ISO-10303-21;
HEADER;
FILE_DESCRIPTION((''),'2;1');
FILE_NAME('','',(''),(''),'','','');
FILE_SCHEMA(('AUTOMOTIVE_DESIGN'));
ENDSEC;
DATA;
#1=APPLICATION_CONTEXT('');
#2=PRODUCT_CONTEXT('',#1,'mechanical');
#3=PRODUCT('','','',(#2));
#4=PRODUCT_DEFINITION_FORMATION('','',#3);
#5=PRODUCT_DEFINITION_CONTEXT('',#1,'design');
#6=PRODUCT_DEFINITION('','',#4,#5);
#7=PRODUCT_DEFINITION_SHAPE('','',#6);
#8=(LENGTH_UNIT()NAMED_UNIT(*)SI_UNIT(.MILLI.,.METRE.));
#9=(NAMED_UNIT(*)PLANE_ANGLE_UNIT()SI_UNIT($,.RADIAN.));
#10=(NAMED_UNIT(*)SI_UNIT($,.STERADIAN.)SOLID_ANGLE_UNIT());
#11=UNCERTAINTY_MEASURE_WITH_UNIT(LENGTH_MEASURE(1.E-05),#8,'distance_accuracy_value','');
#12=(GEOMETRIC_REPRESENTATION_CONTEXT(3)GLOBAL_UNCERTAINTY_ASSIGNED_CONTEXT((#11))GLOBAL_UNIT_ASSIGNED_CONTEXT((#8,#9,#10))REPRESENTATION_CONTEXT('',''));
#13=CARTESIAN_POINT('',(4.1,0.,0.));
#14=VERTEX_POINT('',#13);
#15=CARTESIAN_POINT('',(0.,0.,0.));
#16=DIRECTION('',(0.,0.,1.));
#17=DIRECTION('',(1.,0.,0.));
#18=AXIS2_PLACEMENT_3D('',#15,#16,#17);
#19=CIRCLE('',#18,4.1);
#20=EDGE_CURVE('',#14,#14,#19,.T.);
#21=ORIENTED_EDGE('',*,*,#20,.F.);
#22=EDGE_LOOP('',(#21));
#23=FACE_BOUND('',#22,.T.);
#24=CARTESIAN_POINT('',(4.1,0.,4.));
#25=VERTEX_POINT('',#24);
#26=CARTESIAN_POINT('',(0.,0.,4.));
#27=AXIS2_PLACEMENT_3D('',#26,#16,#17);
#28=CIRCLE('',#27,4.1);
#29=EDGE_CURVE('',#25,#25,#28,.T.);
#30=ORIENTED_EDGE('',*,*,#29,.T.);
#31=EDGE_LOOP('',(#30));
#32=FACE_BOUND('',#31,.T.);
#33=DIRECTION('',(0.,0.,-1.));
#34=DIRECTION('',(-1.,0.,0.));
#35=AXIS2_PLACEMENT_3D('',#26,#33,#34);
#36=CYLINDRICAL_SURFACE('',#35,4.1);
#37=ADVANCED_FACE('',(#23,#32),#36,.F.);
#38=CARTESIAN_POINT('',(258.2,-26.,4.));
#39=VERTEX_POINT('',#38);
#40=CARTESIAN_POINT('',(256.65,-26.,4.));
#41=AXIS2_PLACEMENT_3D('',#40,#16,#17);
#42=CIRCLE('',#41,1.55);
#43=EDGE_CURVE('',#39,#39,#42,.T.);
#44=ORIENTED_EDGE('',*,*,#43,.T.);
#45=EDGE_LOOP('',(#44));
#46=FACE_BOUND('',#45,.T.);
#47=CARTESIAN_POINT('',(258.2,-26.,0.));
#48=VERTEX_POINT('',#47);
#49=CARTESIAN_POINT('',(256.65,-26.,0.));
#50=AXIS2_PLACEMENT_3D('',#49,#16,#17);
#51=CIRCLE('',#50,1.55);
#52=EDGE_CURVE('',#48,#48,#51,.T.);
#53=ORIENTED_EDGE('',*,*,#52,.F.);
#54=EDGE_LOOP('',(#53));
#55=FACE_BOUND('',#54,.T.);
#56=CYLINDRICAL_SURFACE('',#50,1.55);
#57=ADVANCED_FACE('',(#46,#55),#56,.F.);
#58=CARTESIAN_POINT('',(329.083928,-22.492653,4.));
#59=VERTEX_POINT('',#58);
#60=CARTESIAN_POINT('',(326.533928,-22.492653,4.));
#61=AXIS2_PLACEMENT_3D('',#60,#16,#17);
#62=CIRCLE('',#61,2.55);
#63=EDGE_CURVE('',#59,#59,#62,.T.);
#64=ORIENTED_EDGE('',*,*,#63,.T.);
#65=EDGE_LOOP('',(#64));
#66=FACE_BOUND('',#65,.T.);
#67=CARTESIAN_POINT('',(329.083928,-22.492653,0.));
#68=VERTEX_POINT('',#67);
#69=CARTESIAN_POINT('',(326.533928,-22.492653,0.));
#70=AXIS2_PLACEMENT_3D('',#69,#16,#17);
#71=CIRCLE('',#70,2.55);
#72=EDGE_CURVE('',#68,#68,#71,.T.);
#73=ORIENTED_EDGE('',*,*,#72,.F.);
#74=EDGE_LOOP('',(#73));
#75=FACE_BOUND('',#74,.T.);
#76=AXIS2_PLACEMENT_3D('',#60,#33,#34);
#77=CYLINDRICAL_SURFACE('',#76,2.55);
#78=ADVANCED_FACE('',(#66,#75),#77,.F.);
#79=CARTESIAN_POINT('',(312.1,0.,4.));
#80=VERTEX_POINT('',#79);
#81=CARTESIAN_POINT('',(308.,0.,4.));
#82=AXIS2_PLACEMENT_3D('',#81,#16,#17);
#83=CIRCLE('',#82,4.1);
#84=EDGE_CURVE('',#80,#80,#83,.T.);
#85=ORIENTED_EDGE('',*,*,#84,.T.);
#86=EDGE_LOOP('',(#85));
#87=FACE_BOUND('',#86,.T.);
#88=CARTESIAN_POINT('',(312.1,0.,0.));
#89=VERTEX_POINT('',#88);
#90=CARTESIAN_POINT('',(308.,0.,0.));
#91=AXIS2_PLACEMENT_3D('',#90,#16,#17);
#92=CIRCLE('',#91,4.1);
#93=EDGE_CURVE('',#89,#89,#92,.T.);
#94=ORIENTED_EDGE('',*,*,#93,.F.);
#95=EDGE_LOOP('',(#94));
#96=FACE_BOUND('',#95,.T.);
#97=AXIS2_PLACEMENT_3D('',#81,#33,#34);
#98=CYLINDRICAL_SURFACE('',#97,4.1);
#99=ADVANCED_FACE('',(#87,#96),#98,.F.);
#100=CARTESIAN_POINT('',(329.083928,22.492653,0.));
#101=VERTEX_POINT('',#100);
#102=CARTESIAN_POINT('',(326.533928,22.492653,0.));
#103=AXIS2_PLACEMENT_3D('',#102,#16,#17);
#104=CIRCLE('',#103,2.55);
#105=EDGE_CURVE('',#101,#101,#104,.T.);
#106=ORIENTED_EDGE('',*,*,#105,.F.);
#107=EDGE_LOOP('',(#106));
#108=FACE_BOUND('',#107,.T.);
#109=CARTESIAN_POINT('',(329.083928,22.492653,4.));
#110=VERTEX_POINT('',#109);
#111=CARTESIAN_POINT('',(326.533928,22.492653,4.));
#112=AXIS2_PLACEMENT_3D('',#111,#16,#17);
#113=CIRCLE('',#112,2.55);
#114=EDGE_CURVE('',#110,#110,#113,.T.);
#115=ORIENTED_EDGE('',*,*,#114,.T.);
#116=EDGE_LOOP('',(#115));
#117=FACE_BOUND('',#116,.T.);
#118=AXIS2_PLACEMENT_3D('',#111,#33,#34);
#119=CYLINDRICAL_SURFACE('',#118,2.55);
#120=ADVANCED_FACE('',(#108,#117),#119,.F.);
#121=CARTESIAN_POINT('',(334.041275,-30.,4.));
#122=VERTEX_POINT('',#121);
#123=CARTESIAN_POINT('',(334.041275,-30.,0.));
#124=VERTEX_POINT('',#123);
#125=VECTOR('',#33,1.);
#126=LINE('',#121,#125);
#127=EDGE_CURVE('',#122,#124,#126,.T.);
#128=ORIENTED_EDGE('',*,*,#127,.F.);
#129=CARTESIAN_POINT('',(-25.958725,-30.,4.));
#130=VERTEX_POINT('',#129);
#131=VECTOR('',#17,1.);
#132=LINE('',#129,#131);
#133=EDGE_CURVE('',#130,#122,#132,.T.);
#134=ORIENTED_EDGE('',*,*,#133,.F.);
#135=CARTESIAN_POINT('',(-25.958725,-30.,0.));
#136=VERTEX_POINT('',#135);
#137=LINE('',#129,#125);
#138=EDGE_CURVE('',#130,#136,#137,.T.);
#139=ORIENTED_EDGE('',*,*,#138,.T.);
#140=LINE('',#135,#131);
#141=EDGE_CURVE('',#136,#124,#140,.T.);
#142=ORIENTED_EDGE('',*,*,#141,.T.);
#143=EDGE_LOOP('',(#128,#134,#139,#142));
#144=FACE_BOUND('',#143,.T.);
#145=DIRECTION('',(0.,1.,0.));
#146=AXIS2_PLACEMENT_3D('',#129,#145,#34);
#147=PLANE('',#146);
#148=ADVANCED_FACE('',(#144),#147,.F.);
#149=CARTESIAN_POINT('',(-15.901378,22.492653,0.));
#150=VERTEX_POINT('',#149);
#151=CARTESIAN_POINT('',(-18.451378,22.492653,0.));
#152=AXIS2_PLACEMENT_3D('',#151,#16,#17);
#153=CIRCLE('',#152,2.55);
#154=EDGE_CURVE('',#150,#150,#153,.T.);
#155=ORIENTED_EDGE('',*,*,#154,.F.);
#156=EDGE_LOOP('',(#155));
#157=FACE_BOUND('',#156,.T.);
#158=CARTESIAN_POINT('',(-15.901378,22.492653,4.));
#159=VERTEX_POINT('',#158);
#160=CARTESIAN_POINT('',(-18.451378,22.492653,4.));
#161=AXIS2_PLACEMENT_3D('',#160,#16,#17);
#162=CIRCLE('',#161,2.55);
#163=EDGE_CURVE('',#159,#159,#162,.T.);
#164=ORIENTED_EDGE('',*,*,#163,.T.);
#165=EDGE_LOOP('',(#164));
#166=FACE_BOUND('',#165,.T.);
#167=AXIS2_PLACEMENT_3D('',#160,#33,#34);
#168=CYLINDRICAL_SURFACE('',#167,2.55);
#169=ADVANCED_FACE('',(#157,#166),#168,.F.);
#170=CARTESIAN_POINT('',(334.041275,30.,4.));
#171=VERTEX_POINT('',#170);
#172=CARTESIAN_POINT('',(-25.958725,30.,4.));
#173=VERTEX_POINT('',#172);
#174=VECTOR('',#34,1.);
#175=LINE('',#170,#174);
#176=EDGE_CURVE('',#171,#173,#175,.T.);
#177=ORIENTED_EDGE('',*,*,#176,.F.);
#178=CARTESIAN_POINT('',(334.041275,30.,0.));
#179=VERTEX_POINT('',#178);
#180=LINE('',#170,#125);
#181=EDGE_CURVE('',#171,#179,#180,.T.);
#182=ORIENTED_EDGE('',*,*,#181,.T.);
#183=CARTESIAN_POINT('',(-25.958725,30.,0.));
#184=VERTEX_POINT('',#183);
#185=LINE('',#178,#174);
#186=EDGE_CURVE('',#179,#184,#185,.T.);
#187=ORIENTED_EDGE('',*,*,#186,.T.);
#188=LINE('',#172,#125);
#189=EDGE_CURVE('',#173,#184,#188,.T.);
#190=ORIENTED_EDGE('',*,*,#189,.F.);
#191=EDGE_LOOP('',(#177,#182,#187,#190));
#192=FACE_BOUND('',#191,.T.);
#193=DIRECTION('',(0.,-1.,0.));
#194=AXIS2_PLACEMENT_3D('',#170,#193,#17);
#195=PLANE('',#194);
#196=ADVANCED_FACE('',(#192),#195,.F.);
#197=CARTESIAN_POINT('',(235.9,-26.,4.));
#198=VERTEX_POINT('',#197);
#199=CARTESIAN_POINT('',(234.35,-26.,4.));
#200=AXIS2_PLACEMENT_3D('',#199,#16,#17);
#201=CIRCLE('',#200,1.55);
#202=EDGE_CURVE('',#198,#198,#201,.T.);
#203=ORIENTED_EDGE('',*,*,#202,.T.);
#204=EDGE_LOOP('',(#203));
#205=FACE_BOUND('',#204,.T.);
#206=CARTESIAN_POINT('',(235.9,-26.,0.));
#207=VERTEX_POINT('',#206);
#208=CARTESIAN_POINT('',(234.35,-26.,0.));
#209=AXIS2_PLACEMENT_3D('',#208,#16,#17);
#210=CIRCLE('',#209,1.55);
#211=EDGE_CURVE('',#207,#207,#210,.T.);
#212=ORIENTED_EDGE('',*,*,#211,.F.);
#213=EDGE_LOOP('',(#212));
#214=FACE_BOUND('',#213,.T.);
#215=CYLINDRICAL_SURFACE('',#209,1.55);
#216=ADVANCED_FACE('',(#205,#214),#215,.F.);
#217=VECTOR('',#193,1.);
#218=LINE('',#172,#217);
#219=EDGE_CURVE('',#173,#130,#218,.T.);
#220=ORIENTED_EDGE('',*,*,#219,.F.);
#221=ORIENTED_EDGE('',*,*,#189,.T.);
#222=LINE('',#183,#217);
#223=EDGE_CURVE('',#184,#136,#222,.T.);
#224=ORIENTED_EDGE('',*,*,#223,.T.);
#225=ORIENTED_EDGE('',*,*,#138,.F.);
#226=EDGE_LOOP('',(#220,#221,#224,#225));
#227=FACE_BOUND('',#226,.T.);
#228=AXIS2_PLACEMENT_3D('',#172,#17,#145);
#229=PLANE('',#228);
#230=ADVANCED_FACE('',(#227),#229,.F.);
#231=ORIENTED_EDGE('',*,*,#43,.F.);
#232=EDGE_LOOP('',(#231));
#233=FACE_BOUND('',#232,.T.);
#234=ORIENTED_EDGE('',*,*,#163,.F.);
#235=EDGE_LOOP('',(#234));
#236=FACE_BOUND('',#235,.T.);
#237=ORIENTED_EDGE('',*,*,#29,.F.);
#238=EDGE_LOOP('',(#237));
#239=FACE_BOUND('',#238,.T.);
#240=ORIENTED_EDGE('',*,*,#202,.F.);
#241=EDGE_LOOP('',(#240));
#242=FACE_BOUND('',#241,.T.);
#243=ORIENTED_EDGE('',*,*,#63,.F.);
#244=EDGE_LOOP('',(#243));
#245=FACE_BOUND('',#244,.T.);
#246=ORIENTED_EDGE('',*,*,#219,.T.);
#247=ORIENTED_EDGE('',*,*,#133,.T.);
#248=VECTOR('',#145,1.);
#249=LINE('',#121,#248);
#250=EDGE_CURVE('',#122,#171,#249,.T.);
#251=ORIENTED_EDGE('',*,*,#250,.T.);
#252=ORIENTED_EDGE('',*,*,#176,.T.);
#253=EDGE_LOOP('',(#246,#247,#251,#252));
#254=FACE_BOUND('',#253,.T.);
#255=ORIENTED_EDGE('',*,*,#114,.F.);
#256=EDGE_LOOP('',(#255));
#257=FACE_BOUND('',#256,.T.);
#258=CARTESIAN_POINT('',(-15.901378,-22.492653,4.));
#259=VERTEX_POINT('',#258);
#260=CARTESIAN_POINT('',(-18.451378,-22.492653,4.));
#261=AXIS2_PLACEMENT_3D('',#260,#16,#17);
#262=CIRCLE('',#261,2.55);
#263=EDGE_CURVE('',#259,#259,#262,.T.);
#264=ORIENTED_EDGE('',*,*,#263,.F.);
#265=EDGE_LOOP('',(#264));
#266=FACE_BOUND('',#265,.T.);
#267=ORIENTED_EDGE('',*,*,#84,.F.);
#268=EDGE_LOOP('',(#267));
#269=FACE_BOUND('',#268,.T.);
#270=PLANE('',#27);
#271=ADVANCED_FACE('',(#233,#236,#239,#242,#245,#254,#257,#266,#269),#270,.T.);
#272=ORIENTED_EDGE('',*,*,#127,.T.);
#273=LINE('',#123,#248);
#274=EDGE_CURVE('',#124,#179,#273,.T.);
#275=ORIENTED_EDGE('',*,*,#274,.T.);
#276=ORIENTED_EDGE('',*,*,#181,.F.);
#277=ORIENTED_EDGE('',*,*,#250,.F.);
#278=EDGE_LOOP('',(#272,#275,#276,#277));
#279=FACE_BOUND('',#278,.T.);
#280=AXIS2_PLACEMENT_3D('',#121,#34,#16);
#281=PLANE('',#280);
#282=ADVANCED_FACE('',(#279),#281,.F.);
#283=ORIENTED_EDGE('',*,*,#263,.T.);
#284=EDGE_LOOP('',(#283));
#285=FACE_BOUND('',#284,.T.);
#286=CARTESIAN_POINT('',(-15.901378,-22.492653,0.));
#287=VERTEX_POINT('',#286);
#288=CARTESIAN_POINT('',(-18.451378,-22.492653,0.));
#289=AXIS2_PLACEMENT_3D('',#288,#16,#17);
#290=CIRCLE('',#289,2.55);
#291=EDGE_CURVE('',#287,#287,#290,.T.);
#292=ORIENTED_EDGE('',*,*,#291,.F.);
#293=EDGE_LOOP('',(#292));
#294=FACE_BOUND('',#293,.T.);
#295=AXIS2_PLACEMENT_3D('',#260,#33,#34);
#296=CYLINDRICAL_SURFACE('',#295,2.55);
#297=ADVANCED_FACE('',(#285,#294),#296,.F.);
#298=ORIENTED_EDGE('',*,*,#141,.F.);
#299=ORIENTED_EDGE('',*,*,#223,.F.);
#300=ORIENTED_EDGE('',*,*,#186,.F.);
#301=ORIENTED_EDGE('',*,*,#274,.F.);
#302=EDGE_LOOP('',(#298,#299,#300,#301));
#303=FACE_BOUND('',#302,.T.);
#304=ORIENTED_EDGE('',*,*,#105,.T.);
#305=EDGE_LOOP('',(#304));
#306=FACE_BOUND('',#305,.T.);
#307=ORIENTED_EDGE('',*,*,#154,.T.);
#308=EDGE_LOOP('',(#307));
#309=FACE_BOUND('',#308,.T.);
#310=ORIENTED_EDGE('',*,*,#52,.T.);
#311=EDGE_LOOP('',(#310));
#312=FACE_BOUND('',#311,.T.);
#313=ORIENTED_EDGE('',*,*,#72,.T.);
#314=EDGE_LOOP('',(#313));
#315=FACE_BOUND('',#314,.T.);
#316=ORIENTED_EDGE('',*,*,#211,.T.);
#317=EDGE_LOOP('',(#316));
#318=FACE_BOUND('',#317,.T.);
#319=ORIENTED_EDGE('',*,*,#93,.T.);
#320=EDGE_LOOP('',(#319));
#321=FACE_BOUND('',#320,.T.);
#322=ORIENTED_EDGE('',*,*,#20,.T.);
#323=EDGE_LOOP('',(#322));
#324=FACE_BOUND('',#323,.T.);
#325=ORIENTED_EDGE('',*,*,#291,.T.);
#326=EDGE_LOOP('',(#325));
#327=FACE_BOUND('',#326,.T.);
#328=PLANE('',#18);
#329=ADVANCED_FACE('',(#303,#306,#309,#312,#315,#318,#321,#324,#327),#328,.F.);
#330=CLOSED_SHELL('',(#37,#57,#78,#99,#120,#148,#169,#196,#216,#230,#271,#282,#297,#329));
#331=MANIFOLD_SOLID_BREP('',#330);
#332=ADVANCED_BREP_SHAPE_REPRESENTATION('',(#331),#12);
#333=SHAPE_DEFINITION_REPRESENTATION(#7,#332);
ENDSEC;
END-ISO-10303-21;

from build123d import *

# Parameters (mm, degrees)
SKETCH1_W           = 360
SKETCH1_H           = 60
SKETCH1_R           = 4.1
SKETCH1_R_2         = 2.55
BOSS_EXTRUDE1_DEPTH = 4
SKETCH3_R           = 1.55
CUT_EXTRUDE2_DEPTH  = 4


with BuildPart() as part:
    # Sketch1 → Boss-Extrude1 (new body)
    with BuildSketch(Plane.XY):
        with Locations((154.041275094, 0)):
            Rectangle(SKETCH1_W, SKETCH1_H)
        Circle(SKETCH1_R, mode=Mode.SUBTRACT)
        with Locations((308, 0)):
            Circle(SKETCH1_R, mode=Mode.SUBTRACT)
        with Locations((-18.451377883, 22.492652976)):
            Circle(SKETCH1_R_2, mode=Mode.SUBTRACT)
        with Locations((-18.451377883, -22.492652976)):
            Circle(SKETCH1_R_2, mode=Mode.SUBTRACT)
        with Locations((326.53392807, 22.492652976)):
            Circle(SKETCH1_R_2, mode=Mode.SUBTRACT)
        with Locations((326.53392807, -22.492652976)):
            Circle(SKETCH1_R_2, mode=Mode.SUBTRACT)
    extrude(amount=BOSS_EXTRUDE1_DEPTH)

    # Sketch3 → Cut-Extrude2 (cut)
    with BuildSketch(Plane.XY.offset(4)):
        with Locations((256.65, -26)):
            Circle(SKETCH3_R)
        with Locations((234.35, -26)):
            Circle(SKETCH3_R)
    extrude(amount=-CUT_EXTRUDE2_DEPTH, mode=Mode.SUBTRACT)


solid = part.part
